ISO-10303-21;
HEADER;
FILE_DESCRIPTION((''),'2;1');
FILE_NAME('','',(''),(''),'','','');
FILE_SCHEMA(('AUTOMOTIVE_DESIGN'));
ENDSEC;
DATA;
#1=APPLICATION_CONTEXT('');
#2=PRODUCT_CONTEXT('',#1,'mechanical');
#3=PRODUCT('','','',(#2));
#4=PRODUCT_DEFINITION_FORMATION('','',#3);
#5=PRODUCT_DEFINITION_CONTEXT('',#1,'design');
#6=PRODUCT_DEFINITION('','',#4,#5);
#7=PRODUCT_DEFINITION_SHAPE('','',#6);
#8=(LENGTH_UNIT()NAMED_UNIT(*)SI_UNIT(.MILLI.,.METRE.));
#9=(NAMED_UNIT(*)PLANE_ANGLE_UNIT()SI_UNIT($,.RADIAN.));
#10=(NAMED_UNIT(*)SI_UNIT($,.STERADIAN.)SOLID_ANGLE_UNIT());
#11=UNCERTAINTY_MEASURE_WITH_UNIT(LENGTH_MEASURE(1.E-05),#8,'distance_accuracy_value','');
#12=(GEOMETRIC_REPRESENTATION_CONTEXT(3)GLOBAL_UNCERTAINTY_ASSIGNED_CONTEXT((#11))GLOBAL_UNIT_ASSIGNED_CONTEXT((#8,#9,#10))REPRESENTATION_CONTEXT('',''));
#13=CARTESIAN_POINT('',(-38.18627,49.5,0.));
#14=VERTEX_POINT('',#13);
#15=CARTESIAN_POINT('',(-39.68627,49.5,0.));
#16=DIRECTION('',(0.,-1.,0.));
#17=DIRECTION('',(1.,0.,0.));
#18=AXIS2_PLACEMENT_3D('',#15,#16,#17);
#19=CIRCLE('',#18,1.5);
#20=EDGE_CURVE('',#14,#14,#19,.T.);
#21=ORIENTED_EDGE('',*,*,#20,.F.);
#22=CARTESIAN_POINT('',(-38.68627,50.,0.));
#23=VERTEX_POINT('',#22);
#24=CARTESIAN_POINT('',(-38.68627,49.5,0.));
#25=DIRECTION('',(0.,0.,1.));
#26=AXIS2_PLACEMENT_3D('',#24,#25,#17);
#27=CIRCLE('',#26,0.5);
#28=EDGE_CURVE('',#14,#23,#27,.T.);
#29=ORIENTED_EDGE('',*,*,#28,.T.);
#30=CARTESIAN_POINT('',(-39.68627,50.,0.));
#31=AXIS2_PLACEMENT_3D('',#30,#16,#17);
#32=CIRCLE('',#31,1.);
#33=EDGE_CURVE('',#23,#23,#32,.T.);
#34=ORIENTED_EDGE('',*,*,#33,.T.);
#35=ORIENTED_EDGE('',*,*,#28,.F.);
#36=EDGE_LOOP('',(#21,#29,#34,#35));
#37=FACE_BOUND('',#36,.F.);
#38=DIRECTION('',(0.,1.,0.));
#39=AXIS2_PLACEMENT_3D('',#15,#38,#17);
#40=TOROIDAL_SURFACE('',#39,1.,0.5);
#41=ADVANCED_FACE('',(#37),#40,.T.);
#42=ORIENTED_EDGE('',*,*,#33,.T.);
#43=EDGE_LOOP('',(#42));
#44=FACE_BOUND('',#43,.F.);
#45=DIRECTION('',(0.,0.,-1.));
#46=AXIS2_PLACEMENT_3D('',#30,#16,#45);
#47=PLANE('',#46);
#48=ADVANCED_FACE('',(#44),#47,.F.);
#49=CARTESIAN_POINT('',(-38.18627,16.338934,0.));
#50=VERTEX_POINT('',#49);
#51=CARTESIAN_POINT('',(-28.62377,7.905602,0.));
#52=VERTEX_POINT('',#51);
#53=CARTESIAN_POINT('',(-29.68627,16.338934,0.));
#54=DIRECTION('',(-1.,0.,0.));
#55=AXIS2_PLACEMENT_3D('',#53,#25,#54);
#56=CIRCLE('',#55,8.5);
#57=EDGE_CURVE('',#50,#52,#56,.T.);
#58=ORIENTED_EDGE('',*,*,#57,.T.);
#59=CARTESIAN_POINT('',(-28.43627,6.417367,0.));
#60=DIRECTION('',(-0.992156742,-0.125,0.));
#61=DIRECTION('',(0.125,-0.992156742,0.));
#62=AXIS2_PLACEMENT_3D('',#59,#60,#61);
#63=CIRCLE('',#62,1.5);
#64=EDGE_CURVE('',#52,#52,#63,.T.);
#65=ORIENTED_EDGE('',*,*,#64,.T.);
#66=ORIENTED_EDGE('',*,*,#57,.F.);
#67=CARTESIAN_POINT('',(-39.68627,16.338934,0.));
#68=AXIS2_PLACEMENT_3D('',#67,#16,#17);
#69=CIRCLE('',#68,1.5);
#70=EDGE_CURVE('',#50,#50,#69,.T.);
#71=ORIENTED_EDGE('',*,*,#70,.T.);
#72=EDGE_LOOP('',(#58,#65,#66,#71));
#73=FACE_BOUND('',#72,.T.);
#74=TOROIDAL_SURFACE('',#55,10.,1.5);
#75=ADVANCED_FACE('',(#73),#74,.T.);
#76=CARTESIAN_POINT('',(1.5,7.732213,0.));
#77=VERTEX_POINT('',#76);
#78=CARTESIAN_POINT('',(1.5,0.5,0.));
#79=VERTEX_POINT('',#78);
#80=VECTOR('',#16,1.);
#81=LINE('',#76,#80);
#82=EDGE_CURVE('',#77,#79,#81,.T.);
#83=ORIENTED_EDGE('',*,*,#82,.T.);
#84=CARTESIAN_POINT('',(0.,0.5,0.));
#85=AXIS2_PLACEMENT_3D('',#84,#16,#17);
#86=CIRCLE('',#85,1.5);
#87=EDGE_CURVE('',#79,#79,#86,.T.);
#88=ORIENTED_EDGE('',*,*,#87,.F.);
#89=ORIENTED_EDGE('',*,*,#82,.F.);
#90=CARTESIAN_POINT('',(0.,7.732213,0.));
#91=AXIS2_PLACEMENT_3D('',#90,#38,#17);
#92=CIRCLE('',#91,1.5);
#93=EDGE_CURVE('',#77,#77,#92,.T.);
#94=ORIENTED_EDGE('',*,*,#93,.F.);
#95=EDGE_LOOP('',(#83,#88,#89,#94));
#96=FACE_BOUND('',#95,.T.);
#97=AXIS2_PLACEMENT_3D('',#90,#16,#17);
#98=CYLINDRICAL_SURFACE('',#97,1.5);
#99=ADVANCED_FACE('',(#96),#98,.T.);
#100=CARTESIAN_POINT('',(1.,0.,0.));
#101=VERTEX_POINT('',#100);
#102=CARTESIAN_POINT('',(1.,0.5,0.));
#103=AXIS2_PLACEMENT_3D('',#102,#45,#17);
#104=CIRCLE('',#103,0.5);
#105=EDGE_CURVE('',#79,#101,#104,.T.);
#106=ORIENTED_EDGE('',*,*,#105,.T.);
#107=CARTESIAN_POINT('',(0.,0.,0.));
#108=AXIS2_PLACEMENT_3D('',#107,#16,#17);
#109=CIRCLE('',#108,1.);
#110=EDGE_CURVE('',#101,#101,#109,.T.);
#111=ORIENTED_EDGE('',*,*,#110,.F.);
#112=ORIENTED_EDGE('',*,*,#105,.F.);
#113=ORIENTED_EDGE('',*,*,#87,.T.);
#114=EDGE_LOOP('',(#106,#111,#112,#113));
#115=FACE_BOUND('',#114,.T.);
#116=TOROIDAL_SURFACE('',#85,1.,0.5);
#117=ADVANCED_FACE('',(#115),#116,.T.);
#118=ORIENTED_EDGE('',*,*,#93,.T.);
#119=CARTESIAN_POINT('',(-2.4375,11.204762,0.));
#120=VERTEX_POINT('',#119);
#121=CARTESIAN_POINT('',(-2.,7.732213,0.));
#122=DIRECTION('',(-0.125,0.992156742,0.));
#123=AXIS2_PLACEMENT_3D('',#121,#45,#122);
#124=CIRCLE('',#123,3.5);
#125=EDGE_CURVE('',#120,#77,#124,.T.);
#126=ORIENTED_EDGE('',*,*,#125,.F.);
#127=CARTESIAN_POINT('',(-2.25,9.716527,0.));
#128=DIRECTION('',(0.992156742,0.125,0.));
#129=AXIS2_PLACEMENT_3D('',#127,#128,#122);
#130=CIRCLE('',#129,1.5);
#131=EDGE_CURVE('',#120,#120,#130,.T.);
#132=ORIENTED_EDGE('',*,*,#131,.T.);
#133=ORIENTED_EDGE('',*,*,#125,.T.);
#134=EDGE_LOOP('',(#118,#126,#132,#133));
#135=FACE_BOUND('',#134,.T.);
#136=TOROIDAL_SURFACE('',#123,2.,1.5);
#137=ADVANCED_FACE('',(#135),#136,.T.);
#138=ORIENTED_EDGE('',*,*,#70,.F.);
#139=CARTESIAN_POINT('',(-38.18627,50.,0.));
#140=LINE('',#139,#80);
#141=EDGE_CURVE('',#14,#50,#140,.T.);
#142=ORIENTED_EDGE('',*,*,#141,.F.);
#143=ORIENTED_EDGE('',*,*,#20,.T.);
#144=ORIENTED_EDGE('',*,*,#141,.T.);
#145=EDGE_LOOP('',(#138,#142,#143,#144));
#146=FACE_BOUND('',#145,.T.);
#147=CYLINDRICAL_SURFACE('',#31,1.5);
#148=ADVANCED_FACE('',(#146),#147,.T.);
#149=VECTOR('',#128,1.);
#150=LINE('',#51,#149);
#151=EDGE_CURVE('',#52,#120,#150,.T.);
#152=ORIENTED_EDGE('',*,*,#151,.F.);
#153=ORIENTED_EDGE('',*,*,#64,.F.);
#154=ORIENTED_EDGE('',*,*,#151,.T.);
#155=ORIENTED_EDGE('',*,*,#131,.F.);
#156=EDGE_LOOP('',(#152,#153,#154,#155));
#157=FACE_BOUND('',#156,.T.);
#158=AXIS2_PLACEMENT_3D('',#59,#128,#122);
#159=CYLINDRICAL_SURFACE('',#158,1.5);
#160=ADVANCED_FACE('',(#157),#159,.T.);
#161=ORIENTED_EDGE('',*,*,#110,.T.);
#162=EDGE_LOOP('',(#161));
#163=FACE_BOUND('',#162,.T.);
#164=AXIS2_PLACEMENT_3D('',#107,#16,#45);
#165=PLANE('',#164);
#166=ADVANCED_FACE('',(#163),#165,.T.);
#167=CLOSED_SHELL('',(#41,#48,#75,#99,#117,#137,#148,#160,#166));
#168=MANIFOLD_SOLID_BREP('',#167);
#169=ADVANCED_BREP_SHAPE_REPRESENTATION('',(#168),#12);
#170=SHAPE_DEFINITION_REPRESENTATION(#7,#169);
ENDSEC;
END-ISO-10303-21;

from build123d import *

# Parameters (mm, degrees)
F3_R = 1.5
F5_R = 0.5


with BuildPart() as f4:
    # F4: sweep along a path in F1
    with BuildLine(Plane.XY) as f4_path:
        Line((-39.686269666, 50), (-39.686269666, 16.3389341903))
        ThreePointArc((-39.686269666, 16.3389341903), (-36.3006479436, 8.8389341903), (-28.436269666, 6.4173667738))
        Line((-28.436269666, 6.4173667738), (-2.25, 9.7165266452))
        ThreePointArc((-2.25, 9.7165266452), (-0.6771243445, 9.2322131619), (0, 7.7322131619))
        Line((0, 7.7322131619), (0, 0))
    # F3 (on offset) → F4 (sweep)
    with BuildSketch(Plane.XZ.offset(-50)):
        with Locations((-39.686269666, 0)):
            Circle(F3_R)
    sweep(path=f4_path.line)

    # F5
    f5_edges = [f4.edges().sort_by_distance(p)[0] for p in [
        (-41.18627, 50, 0),
        (-1.5, 0, 0),
    ]]
    fillet(f5_edges, radius=F5_R)


solid = f4.part
